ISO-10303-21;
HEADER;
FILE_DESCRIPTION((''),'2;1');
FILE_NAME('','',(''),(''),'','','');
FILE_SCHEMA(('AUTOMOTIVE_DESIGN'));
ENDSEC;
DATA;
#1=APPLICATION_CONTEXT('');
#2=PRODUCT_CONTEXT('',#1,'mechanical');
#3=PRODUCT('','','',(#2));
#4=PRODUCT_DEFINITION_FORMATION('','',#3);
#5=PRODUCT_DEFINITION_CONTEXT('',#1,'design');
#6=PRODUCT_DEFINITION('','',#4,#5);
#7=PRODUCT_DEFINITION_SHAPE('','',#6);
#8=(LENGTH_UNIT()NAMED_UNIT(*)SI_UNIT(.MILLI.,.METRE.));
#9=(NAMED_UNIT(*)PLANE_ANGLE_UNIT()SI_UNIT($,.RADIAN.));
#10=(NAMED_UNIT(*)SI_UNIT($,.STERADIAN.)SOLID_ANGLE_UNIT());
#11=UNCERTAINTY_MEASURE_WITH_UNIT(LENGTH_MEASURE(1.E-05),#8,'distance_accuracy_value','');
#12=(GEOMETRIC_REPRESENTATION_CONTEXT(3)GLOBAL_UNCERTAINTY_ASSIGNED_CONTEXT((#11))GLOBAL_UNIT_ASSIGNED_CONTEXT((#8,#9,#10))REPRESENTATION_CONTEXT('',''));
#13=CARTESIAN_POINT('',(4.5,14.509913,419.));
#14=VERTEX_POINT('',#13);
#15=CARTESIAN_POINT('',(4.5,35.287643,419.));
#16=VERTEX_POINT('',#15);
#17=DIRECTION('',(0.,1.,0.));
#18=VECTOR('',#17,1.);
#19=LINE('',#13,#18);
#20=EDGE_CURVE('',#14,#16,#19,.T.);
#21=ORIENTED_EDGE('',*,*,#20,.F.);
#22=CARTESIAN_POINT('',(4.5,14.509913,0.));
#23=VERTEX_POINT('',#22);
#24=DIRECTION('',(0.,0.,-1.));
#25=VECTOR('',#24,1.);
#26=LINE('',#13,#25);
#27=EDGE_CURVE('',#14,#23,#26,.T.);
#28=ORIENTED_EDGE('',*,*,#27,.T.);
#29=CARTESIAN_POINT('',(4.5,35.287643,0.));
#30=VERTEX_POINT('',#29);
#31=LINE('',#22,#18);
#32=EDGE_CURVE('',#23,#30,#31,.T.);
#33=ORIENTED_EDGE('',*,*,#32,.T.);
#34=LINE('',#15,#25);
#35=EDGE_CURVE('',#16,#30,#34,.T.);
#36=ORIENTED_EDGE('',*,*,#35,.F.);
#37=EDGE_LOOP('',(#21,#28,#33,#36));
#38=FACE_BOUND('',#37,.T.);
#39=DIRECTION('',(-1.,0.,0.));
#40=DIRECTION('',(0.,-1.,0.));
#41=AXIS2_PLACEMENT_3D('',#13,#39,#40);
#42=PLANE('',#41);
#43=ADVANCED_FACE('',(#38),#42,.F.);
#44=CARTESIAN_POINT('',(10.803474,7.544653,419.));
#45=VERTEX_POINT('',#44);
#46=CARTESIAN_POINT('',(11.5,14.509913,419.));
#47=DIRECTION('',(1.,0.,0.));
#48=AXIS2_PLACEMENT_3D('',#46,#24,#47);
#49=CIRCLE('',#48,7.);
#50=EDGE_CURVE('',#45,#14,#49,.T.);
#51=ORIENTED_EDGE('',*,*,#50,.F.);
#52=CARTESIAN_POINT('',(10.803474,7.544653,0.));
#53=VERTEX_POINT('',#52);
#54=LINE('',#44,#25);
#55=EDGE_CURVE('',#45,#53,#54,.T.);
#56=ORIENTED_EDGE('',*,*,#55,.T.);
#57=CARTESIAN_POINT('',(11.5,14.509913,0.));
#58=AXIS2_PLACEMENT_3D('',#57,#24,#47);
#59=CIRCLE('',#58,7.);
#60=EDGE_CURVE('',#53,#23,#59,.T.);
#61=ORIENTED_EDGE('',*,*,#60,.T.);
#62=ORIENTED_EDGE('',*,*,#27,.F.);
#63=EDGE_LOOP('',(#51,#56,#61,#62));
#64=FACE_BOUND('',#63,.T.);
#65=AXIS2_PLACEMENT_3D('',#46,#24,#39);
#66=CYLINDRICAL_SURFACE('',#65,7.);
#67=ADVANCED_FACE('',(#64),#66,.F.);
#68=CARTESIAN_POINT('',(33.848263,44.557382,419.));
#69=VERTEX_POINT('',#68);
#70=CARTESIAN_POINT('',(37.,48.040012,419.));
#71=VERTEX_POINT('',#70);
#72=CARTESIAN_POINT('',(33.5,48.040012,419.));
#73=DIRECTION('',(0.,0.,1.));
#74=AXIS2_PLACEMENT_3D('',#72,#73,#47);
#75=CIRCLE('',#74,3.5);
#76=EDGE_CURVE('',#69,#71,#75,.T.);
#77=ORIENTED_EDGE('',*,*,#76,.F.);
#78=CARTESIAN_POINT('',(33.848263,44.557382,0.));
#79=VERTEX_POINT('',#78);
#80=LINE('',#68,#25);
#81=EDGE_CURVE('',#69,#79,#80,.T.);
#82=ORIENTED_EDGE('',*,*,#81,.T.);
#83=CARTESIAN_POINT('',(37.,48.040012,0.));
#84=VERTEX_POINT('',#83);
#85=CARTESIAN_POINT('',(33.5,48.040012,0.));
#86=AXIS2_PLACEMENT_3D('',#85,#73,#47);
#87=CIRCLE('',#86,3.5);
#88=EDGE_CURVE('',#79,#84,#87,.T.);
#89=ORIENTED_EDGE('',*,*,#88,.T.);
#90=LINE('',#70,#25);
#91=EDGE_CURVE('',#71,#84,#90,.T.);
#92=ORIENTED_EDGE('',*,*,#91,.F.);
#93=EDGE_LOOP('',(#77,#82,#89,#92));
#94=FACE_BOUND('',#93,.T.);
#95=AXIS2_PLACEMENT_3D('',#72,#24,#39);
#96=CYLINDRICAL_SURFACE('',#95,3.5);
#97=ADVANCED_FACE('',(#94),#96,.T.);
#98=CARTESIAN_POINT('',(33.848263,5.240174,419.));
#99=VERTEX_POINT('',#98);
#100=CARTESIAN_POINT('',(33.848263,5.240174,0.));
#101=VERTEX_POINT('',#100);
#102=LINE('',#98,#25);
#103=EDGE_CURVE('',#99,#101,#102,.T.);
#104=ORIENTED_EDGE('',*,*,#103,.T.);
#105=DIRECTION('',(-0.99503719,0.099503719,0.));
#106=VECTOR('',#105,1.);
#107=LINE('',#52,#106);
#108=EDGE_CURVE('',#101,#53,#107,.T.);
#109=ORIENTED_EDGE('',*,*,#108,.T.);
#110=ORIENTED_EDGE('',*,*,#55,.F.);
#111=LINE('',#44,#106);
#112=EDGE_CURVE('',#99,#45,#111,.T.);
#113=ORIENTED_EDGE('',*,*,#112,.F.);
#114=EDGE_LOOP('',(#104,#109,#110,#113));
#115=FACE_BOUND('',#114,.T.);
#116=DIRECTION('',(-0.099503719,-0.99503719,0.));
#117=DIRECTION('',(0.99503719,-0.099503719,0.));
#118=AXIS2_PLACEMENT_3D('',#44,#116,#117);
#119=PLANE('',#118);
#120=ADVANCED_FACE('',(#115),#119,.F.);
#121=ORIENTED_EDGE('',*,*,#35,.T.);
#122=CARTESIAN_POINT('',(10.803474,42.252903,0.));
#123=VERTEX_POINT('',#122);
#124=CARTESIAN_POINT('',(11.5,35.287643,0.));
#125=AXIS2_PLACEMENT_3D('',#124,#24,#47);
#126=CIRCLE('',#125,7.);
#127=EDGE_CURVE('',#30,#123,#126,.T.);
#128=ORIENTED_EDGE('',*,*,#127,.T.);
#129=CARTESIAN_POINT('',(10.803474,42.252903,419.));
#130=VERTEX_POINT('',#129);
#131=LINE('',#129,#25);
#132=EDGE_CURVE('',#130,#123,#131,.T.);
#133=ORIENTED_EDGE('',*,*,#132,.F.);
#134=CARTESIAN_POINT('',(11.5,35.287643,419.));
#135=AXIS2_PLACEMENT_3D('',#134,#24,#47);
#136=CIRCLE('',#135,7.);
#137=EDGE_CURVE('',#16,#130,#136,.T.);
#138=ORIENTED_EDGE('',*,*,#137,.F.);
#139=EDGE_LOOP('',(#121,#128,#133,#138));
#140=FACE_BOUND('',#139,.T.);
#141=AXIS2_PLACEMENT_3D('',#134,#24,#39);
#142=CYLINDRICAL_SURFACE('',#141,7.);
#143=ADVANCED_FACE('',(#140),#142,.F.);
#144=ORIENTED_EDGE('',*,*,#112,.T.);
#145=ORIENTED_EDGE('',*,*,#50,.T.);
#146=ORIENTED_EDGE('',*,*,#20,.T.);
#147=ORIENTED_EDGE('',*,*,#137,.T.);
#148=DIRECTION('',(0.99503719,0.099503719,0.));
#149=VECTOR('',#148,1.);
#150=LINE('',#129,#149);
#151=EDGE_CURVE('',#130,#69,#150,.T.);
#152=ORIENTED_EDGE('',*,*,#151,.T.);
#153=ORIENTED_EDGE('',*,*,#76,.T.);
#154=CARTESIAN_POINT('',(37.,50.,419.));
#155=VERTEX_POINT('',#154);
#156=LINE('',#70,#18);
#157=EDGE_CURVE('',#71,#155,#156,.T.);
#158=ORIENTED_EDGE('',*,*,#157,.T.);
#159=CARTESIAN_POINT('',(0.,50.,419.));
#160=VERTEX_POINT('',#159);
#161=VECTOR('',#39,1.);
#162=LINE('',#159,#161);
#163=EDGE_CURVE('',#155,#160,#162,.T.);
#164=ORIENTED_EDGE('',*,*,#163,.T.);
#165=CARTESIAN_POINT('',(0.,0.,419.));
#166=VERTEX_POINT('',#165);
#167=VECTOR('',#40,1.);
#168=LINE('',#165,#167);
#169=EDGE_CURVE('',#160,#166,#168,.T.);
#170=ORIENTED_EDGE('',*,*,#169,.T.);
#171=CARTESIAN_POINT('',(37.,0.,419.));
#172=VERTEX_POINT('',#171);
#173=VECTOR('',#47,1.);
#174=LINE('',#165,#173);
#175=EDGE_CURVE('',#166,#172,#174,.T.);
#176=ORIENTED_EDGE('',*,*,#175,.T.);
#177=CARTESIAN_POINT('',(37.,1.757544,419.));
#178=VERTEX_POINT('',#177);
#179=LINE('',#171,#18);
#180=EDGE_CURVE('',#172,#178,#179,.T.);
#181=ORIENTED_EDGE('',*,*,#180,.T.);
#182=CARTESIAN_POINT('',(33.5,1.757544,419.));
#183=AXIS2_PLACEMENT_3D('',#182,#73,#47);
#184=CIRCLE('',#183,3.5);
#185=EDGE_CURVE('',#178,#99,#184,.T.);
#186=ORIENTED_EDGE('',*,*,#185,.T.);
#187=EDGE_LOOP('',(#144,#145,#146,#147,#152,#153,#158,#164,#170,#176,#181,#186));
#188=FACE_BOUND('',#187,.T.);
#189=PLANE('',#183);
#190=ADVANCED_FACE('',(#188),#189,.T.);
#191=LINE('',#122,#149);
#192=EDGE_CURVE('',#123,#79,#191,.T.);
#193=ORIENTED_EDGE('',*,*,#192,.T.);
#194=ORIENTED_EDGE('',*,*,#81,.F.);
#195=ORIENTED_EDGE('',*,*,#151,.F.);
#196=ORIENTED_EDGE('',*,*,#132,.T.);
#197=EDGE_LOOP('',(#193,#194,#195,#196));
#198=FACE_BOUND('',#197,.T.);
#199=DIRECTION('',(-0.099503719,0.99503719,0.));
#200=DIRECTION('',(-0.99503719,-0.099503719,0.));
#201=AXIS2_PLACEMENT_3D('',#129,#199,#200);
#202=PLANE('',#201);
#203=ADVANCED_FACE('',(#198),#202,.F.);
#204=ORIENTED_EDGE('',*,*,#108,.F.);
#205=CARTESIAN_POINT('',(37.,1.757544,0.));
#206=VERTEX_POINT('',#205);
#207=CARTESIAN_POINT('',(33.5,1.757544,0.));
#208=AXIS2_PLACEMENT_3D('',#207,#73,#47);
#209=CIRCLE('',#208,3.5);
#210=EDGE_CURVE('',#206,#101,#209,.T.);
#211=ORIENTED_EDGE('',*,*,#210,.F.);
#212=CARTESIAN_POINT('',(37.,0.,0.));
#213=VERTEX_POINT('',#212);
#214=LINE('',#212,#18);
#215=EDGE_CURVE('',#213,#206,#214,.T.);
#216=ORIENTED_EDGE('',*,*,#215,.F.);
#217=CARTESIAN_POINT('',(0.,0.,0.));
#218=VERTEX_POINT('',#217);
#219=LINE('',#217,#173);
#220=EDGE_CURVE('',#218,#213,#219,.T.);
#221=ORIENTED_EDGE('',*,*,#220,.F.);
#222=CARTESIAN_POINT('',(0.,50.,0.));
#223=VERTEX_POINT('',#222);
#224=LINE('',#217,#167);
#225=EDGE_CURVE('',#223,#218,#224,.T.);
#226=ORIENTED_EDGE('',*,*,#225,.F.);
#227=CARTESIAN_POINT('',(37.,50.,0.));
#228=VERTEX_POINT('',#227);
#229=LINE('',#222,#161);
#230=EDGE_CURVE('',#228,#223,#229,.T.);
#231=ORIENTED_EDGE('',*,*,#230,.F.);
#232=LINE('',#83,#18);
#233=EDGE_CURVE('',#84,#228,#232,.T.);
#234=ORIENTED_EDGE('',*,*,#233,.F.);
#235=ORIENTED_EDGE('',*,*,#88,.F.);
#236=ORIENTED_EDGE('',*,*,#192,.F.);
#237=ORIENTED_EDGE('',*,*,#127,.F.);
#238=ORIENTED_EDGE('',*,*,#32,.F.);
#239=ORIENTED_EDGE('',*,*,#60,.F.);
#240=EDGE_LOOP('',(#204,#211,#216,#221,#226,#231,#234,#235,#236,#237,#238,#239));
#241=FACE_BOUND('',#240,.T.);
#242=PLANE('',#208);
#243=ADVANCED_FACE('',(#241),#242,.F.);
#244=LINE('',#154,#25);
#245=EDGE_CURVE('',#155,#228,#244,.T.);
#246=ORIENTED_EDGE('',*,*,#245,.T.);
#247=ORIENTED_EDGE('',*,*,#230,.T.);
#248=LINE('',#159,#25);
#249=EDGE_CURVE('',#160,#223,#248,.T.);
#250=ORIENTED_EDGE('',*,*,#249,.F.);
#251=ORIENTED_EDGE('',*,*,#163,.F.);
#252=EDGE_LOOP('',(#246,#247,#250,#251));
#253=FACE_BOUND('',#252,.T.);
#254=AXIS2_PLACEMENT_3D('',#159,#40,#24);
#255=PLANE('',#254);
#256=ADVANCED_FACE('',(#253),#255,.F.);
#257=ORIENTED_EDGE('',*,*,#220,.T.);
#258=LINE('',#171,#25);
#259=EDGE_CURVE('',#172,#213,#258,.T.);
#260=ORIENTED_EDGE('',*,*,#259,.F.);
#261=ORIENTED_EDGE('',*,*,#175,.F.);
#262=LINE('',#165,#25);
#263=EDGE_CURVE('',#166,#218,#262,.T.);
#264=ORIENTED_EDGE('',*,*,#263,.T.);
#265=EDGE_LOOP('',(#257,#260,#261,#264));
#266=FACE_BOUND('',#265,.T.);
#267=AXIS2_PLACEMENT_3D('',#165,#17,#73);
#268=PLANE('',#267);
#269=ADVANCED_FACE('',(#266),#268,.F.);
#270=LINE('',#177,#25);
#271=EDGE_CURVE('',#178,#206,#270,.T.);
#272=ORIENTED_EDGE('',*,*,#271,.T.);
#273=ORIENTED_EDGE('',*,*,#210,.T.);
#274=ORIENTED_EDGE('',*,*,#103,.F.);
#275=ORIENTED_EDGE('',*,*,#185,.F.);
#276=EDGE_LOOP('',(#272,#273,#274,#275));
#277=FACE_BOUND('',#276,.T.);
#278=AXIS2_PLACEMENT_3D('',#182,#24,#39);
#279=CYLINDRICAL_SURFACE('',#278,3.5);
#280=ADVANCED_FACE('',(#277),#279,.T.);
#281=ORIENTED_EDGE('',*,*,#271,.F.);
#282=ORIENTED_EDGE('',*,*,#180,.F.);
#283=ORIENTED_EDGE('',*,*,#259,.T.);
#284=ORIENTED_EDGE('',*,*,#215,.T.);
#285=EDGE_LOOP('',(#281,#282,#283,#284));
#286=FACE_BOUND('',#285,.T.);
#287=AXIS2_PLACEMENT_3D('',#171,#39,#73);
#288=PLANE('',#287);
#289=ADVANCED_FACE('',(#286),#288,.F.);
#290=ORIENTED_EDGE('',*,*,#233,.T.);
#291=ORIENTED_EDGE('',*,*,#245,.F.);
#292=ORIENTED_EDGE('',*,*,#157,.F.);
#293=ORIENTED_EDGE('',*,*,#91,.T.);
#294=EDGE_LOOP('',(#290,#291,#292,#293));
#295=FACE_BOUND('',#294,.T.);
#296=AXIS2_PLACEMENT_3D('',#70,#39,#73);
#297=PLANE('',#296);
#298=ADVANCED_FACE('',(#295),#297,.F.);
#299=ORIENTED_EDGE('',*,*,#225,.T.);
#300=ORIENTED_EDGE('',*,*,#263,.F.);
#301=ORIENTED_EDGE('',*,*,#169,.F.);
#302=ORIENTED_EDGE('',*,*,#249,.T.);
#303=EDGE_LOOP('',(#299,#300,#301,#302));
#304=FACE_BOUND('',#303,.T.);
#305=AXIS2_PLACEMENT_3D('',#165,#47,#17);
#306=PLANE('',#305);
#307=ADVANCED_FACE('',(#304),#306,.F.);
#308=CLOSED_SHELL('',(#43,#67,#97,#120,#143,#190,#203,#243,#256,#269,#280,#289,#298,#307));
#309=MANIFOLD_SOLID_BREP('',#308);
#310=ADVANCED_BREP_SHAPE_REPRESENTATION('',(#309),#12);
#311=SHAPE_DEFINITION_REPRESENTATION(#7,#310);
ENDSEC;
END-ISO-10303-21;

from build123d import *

# Parameters (mm, degrees)
EXTRUDE_1_DEPTH = 419


with BuildPart() as part:
    # 草图1 → 凸台-拉伸1 (new body)
    with BuildSketch(Plane.XY):
        with BuildLine():
            Line((0, 0), (0, 50))
            Line((0, 50), (37, 50))
            Line((37, 50), (37, 48.040012398))
            ThreePointArc((37, 48.040012398), (36.095083867, 45.691493776), (33.848263017, 44.557382233))
            Line((33.848263017, 44.557382233), (10.803473967, 42.252903328))
            ThreePointArc((10.803473967, 42.252903328), (6.309832265, 39.984680242), (4.5, 35.287642996))
            Line((4.5, 35.287642996), (4.5, 14.509912935))
            ThreePointArc((4.5, 14.509912935), (6.309832265, 9.812875689), (10.803473967, 7.544652603))
            Line((10.803473967, 7.544652603), (33.848263017, 5.240173698))
            ThreePointArc((33.848263017, 5.240173698), (36.095083867, 4.106062155), (37, 1.757543533))
            Line((37, 1.757543533), (37, 0))
            Line((37, 0), (0, 0))
        make_face()
    extrude(amount=EXTRUDE_1_DEPTH)


solid = part.part
